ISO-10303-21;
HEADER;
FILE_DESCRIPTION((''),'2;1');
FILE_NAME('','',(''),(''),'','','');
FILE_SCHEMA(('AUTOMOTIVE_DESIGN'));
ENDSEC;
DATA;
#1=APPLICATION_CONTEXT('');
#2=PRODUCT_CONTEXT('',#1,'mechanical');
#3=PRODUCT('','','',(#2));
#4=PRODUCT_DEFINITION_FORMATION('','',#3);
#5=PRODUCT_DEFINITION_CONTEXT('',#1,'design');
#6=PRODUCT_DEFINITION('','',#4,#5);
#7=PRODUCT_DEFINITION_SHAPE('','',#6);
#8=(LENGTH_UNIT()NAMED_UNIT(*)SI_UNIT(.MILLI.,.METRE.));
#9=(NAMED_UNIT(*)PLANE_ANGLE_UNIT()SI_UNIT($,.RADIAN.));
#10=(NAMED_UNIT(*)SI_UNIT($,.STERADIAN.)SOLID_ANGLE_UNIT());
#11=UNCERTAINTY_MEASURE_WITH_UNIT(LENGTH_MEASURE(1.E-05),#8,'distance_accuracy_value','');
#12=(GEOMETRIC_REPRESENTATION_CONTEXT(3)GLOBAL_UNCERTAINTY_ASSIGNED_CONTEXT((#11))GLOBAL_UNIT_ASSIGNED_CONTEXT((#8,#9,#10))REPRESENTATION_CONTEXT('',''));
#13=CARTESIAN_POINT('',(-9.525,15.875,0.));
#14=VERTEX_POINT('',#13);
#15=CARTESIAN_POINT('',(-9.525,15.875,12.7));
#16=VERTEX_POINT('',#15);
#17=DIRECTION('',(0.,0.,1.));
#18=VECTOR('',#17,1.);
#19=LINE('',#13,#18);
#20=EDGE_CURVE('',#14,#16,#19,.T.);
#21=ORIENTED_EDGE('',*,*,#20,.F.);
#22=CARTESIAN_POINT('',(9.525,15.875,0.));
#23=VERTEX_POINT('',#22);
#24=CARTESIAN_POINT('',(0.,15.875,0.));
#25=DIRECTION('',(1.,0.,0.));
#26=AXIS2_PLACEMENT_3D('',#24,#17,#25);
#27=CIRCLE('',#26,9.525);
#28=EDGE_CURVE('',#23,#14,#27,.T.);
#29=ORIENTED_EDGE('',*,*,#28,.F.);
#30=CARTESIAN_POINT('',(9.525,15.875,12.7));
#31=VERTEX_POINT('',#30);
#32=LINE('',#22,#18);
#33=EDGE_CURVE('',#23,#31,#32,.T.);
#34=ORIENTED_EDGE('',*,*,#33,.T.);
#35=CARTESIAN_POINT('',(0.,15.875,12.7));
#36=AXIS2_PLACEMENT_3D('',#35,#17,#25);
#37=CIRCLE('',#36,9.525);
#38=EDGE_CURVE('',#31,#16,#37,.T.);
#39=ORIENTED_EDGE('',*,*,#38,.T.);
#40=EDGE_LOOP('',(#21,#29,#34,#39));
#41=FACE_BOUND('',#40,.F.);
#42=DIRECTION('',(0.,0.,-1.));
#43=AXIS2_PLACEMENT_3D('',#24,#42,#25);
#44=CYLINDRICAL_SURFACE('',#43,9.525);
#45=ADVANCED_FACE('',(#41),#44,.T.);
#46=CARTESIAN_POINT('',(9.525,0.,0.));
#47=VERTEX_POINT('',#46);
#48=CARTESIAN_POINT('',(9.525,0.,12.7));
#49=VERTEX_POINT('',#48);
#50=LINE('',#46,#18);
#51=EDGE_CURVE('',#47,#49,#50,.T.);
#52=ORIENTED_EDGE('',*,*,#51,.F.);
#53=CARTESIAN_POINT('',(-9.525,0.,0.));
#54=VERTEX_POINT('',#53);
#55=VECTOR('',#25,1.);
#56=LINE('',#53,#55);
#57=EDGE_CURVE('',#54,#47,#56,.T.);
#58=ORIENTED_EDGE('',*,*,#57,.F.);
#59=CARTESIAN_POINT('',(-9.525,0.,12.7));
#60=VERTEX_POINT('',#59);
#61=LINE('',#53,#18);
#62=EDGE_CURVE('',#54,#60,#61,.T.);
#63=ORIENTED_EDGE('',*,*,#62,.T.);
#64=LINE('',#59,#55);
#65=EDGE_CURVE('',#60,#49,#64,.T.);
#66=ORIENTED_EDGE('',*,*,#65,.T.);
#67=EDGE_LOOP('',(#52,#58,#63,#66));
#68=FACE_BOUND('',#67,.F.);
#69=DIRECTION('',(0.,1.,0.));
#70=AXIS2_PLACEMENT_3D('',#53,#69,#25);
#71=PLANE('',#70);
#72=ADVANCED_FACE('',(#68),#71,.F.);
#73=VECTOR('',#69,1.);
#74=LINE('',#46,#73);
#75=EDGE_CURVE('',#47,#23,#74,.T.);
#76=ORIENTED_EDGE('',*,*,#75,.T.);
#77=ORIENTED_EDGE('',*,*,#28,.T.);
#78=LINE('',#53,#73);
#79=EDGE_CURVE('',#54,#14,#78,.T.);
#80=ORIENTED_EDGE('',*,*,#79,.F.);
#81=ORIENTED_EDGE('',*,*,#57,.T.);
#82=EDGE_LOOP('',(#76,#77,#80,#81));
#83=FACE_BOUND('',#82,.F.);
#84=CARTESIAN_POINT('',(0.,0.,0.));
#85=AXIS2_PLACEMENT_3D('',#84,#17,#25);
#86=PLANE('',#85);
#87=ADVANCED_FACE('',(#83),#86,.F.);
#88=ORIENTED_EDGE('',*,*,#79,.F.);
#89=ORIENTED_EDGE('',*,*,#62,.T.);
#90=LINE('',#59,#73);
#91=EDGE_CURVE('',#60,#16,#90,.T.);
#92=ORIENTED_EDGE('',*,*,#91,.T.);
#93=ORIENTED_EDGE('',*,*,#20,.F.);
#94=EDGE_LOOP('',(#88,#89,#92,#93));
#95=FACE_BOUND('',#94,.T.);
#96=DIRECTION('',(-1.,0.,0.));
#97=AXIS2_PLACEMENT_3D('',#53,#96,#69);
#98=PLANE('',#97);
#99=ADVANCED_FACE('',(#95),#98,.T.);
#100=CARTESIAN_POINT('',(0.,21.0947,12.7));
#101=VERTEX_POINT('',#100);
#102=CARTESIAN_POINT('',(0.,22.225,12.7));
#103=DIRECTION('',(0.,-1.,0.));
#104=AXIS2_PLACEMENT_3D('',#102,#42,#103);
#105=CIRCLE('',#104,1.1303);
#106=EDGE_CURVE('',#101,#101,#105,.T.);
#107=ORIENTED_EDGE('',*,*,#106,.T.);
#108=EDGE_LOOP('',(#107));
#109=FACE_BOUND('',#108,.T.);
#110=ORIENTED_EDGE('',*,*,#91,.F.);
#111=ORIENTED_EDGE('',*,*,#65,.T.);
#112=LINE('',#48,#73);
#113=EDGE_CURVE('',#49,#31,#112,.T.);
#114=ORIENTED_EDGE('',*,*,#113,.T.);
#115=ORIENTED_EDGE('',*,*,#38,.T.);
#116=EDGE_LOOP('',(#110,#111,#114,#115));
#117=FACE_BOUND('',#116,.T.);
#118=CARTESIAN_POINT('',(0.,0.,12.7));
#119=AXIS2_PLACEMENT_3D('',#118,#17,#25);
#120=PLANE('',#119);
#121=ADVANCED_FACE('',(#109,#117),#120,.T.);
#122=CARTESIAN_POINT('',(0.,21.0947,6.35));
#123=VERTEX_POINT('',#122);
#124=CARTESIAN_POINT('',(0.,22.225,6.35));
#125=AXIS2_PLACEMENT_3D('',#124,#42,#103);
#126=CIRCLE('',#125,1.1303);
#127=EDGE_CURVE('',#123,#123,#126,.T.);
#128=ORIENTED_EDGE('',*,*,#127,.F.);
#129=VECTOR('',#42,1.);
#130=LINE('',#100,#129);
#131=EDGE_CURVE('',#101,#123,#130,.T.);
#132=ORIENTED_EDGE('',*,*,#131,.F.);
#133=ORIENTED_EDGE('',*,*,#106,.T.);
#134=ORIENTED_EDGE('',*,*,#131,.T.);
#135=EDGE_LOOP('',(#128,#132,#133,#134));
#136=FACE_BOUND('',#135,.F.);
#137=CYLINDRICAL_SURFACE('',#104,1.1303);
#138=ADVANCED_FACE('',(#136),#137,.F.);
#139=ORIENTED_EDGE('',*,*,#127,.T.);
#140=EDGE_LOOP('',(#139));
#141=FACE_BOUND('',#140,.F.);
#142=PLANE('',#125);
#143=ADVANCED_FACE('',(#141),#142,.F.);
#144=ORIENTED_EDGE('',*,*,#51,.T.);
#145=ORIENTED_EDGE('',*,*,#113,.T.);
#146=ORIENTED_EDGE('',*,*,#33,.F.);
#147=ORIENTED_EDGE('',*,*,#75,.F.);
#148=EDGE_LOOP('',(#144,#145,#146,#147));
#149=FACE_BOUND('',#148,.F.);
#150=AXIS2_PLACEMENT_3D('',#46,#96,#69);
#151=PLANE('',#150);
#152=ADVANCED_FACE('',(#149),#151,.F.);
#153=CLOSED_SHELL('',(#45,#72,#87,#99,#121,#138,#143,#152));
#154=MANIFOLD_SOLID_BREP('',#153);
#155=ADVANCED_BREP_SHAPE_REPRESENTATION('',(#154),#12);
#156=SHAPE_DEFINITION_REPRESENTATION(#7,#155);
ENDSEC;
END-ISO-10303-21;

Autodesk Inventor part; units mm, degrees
ref_plane "YZ Plane" through (0, 0, 0) normal (1, 0, 0) x (0, 1, 0)
ref_plane "XZ Plane" through (0, 0, 0) normal (0, 1, 0) x (-1, 0, 0)
ref_plane "XY Plane" through (0, 0, 0) normal (0, 0, 1) x (1, 0, 0)
sketch "Sketch1" plane through (0, 0, 0) normal (0, 0, 1) x (1, 0, 0)
  line L0 (-9.525, 0) -> (9.525, 0)
  line L1 (9.525, 0) -> (9.525, 15.875)
  line L2 (-9.525, 0) -> (-9.525, 15.875)
  arc A0 (9.525, 15.875) -> (-9.525, 15.875) centre (0, 15.875) ccw
  point P0 (0, 0)
  dimension "d0" = 19.05
  dimension "d1" = 9.525
  dimension "d2" = 9.525
  dimension "d3" = 15.875
extrude "Extrusion1" add sketch "Sketch1" along normal blind 12.7
hole "Hole1" at (0, 22.225, 12.7) direction (0, 0, -1) diameter 2.2606 depth 6.35
equation "\"d1\" = 0.5 * d0"
properties part number "Rudder_Bracket"
